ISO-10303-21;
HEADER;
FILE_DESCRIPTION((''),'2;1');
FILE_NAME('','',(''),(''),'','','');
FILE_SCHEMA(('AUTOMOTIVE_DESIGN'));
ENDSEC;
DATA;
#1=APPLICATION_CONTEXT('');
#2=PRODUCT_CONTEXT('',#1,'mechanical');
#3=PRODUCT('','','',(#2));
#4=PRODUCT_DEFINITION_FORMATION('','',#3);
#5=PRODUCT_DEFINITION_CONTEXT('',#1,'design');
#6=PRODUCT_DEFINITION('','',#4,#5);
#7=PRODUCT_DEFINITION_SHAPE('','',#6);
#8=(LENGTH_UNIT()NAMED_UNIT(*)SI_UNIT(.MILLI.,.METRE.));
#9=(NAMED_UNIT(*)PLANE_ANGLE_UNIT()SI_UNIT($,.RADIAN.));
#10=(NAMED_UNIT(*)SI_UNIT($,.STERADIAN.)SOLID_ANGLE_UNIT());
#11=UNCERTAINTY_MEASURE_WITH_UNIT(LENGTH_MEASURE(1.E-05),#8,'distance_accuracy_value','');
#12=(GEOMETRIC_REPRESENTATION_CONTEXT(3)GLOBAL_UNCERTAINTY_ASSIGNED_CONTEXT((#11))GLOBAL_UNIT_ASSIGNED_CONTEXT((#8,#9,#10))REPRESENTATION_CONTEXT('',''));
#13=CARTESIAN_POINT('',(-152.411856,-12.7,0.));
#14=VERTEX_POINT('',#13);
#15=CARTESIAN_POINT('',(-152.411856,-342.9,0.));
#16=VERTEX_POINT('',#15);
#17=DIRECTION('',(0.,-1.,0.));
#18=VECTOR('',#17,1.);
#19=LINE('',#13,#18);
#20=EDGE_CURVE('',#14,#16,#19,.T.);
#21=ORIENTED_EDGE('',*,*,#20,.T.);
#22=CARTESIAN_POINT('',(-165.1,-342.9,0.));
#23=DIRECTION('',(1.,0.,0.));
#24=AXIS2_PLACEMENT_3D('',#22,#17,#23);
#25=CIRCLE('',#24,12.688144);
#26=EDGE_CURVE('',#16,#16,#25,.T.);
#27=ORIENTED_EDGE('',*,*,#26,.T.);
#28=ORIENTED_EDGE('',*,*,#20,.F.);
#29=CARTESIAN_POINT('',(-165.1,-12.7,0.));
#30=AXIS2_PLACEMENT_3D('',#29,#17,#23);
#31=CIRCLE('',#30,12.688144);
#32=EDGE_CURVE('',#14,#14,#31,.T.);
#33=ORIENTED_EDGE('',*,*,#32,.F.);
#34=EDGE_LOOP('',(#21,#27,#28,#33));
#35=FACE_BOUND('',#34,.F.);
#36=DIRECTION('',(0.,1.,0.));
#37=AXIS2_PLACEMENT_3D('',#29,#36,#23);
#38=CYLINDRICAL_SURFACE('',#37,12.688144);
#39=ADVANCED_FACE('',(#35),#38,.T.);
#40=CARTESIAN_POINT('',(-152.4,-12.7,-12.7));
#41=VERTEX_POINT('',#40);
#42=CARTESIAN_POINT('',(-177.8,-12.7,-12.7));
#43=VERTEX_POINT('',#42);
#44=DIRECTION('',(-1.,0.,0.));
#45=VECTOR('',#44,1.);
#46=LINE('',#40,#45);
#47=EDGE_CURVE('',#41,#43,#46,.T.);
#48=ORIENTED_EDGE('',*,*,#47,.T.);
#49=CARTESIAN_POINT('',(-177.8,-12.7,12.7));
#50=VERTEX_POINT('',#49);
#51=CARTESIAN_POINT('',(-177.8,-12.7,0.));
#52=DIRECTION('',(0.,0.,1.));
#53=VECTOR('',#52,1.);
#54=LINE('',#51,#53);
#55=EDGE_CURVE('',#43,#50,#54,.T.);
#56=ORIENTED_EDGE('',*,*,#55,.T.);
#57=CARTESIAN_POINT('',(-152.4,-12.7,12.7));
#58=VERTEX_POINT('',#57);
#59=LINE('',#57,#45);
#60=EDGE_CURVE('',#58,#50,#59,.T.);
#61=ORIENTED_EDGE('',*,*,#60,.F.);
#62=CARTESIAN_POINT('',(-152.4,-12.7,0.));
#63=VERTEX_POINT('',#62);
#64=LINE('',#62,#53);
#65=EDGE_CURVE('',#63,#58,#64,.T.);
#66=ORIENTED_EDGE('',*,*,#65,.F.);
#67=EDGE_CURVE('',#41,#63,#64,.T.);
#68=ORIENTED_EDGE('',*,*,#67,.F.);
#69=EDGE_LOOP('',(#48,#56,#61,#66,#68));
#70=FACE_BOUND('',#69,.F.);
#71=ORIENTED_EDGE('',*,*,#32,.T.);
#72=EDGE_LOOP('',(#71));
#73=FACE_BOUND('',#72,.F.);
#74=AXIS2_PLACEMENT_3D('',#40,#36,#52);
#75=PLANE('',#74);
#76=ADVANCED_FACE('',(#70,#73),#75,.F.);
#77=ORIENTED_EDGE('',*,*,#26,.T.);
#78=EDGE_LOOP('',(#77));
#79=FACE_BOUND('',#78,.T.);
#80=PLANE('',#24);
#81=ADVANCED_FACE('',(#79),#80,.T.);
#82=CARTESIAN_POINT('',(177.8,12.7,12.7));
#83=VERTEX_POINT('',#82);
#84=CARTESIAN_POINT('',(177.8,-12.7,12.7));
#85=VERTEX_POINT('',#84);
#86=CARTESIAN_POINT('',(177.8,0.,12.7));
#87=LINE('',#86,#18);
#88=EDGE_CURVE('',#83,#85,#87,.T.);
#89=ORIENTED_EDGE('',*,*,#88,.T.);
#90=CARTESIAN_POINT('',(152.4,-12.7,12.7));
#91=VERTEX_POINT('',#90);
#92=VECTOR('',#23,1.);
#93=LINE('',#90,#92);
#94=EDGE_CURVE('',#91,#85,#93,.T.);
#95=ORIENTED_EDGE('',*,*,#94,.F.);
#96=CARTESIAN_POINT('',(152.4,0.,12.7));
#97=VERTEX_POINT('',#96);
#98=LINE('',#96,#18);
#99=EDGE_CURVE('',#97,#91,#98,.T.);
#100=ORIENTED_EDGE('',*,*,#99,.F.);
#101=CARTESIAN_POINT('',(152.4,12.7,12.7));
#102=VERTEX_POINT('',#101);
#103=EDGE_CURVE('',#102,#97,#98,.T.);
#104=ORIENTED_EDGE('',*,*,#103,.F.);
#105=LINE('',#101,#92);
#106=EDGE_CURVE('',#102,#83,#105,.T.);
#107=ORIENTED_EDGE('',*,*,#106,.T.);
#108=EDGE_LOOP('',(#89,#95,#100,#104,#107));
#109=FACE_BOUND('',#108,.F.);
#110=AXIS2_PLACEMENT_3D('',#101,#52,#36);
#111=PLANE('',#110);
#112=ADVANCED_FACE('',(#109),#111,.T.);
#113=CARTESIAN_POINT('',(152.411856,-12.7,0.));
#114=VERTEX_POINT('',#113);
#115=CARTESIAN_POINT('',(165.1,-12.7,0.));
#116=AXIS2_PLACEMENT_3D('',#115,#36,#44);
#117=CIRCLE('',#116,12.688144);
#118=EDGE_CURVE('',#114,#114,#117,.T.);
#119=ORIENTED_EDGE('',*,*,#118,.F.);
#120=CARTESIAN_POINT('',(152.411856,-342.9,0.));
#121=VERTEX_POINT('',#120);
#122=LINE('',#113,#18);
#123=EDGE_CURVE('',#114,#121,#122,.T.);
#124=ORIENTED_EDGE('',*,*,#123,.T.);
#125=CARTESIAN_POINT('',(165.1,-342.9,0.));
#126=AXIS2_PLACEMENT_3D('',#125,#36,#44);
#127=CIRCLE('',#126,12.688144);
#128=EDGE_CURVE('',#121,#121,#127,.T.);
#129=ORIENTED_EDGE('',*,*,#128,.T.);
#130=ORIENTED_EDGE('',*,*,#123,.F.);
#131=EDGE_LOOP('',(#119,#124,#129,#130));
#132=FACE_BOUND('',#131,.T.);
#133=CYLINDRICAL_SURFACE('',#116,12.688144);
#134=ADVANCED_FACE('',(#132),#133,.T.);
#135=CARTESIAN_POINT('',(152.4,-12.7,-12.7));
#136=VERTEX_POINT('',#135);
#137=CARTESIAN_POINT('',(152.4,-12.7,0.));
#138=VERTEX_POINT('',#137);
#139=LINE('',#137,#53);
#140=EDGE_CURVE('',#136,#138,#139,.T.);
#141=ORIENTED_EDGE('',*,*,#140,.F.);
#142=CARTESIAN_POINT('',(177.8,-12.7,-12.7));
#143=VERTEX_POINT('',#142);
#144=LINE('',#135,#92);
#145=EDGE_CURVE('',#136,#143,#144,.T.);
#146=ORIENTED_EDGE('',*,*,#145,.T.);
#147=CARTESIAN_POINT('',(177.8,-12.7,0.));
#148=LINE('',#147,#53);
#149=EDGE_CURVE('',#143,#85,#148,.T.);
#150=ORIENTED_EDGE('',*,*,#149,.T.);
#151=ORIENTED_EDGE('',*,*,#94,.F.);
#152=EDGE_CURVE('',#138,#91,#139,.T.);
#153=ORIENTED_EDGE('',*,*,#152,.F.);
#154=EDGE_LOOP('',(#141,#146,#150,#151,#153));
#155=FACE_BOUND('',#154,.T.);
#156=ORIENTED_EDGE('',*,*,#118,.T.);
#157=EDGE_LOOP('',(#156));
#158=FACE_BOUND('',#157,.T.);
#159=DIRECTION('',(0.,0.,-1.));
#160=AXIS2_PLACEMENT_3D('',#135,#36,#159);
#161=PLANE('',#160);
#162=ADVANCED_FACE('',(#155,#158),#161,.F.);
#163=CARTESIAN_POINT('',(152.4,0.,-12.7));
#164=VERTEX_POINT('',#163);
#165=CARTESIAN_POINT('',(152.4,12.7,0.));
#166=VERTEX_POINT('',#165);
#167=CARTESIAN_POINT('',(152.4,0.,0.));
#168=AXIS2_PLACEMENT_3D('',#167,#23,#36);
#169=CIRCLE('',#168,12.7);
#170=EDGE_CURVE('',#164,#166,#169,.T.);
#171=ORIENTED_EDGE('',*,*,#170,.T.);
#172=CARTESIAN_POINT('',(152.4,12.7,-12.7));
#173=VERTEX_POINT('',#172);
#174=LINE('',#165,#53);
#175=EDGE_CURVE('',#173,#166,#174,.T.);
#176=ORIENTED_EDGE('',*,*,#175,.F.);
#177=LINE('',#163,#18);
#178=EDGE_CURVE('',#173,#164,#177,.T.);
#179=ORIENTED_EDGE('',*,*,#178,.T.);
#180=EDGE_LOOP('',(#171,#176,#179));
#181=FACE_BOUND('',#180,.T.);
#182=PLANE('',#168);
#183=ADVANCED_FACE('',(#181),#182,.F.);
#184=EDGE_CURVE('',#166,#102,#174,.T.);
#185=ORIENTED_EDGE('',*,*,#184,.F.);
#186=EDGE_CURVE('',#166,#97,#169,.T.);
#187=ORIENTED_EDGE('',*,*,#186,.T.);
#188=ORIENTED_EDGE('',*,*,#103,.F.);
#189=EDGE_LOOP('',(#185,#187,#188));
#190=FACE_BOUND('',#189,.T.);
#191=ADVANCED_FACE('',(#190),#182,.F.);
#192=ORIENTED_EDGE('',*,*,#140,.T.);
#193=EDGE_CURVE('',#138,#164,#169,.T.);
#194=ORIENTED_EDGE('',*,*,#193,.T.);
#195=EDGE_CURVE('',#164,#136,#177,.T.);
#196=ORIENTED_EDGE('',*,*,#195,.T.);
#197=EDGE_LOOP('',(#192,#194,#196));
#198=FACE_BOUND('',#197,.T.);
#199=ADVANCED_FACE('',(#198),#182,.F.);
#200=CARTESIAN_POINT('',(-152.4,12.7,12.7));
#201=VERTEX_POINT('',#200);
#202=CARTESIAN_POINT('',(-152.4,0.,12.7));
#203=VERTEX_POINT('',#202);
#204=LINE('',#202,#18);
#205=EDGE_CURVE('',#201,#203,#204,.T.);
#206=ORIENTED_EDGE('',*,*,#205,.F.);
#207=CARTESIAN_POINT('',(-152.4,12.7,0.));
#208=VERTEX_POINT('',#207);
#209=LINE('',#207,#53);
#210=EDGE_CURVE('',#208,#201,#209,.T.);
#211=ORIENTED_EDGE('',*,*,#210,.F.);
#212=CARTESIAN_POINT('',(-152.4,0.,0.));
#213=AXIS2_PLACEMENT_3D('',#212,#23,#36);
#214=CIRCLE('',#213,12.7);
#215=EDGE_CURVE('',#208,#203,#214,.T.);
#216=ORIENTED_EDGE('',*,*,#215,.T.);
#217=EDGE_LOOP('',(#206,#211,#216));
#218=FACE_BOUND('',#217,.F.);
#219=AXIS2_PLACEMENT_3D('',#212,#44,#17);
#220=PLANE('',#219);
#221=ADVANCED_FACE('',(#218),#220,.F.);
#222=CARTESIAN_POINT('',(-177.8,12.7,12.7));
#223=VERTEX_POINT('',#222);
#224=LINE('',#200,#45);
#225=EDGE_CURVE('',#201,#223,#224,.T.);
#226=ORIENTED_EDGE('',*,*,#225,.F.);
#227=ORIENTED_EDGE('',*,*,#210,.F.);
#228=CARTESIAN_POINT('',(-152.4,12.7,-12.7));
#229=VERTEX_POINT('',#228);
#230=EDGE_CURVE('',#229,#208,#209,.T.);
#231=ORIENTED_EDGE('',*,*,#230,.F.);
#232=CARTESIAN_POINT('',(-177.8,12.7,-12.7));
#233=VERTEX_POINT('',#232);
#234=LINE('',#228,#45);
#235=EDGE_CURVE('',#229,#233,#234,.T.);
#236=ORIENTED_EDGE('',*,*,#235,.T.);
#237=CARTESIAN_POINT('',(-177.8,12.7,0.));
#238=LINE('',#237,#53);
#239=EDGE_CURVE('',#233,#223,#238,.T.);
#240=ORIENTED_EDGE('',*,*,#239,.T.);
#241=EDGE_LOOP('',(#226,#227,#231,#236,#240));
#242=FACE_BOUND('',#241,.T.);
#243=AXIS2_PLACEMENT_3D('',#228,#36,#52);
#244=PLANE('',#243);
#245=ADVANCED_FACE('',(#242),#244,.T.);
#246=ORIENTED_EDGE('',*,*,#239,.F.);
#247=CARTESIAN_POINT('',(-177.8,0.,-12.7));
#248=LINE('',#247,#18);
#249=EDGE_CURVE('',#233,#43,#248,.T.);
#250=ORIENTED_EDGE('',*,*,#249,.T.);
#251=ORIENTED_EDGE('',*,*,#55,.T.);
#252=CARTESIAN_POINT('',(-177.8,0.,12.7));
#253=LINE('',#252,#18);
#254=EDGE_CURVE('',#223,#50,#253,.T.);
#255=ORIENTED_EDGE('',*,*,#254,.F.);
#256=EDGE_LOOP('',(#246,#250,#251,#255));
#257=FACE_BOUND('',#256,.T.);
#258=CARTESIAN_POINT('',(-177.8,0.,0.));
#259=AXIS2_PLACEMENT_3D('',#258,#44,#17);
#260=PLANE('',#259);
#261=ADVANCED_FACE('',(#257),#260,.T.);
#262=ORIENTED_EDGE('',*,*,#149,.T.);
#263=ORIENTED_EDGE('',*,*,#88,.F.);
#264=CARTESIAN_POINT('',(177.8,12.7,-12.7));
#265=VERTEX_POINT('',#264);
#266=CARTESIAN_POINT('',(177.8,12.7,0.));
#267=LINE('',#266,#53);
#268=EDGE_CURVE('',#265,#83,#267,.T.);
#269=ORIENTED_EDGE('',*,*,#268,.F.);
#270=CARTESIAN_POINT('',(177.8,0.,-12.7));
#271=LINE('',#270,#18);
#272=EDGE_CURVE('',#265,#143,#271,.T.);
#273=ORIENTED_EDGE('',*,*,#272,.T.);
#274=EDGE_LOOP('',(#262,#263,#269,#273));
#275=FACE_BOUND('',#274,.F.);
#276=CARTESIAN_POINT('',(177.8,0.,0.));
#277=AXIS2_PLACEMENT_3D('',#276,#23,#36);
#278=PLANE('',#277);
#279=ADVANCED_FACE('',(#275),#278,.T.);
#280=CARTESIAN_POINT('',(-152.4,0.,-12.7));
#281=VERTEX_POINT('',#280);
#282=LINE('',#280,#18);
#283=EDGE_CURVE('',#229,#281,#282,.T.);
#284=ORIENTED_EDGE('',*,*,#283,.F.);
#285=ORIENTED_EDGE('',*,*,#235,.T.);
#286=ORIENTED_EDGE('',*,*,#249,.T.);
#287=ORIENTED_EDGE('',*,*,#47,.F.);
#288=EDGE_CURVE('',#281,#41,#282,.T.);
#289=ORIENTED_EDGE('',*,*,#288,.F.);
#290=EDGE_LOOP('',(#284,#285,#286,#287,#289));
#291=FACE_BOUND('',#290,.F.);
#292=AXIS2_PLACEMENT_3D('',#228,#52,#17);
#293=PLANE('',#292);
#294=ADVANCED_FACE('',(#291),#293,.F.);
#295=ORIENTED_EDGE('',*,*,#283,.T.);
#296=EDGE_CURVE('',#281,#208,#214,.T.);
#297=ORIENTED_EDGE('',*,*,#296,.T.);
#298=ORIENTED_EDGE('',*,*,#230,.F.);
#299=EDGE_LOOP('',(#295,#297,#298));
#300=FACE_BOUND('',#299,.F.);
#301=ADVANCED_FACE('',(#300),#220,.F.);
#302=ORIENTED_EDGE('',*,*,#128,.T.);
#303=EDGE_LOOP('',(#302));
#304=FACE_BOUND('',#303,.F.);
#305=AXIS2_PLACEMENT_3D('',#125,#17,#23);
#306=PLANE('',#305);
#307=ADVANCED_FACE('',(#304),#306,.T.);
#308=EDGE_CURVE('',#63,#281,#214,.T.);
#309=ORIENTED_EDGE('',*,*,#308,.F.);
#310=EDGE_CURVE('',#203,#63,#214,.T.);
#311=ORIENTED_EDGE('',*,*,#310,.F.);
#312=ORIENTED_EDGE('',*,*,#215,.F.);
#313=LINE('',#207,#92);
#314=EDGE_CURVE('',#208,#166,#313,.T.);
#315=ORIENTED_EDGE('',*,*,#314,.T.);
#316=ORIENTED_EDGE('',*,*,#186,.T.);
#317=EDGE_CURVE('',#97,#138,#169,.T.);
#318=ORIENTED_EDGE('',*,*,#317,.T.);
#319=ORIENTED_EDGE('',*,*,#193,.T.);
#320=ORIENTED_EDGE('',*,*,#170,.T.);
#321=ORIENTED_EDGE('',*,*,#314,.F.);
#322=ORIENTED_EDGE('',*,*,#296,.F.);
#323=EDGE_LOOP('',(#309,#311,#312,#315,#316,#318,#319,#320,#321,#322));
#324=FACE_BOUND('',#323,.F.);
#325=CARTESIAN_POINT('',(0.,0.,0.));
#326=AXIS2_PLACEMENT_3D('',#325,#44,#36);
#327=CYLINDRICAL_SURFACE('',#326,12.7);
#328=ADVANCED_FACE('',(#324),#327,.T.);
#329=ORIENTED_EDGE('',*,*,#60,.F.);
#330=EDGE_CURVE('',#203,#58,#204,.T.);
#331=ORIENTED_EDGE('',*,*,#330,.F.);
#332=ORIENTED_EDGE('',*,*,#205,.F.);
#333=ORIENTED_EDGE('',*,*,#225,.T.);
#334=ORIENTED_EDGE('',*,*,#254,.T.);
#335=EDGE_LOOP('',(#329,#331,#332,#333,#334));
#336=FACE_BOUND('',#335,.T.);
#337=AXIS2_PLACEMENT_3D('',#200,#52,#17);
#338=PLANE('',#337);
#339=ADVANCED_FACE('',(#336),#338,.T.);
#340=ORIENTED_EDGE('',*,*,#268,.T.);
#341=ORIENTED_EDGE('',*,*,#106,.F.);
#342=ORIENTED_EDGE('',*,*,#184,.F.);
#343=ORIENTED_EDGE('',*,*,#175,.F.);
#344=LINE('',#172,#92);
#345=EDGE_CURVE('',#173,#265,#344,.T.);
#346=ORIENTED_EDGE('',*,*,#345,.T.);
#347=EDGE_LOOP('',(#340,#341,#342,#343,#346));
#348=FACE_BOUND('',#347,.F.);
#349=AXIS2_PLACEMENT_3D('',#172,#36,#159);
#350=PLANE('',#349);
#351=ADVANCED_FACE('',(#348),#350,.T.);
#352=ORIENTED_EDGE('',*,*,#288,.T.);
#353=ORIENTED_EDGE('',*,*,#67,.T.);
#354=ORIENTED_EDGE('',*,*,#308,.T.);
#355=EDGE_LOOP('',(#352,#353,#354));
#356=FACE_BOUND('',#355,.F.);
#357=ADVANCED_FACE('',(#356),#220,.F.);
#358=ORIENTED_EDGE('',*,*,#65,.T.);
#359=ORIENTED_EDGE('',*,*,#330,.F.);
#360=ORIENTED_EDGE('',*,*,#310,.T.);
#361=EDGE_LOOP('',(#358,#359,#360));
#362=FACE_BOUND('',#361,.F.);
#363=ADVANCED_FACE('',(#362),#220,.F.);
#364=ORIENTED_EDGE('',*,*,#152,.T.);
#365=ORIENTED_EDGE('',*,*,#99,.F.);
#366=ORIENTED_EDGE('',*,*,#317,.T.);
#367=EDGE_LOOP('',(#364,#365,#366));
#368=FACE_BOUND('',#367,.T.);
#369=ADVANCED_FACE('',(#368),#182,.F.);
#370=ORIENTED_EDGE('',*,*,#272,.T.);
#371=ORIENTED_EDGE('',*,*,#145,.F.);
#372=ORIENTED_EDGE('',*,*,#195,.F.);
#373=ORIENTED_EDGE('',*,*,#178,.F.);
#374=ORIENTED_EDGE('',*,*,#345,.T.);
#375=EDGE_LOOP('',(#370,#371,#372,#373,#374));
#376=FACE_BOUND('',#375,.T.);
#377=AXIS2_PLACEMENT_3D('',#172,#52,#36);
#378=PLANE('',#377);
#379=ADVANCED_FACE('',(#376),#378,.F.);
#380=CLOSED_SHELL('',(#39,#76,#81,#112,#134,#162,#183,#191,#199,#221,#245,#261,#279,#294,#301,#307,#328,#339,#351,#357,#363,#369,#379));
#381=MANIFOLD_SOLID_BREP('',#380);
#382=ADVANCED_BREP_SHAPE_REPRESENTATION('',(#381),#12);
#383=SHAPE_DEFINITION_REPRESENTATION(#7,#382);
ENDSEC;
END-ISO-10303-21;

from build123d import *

# Parameters (mm, degrees)
F0_R     = 12.7
F1_DEPTH = 152.4
F2_W     = 25.4
F2_H     = 25.4
F3_DEPTH = 25.4
F4_R     = 12.688144
F5_DEPTH = 330.2


with BuildPart() as f1:
    # F0 (on Right) → F1 (new body)
    with BuildSketch(Plane.YZ):
        Circle(F0_R)
    extrude(amount=-F1_DEPTH)

    # F2 (on face) → F3 (join)
    with BuildSketch(Plane(origin=(-152.4, 0, 0), x_dir=(0, -1, 0), z_dir=(-1, 0, 0))):
        Rectangle(F2_W, F2_H)
    extrude(amount=F3_DEPTH)

    # F4 (on face) → F5 (join)
    with BuildSketch(Plane.XZ.offset(12.7)):
        with Locations((-165.1, 0)):
            Circle(F4_R)
    extrude(amount=F5_DEPTH)

    # F6: F1 across face


with BuildPart() as f1_1:
    add(f1.part)
    add(f1.part.mirror(Plane.YZ))


solid = f1_1.part
